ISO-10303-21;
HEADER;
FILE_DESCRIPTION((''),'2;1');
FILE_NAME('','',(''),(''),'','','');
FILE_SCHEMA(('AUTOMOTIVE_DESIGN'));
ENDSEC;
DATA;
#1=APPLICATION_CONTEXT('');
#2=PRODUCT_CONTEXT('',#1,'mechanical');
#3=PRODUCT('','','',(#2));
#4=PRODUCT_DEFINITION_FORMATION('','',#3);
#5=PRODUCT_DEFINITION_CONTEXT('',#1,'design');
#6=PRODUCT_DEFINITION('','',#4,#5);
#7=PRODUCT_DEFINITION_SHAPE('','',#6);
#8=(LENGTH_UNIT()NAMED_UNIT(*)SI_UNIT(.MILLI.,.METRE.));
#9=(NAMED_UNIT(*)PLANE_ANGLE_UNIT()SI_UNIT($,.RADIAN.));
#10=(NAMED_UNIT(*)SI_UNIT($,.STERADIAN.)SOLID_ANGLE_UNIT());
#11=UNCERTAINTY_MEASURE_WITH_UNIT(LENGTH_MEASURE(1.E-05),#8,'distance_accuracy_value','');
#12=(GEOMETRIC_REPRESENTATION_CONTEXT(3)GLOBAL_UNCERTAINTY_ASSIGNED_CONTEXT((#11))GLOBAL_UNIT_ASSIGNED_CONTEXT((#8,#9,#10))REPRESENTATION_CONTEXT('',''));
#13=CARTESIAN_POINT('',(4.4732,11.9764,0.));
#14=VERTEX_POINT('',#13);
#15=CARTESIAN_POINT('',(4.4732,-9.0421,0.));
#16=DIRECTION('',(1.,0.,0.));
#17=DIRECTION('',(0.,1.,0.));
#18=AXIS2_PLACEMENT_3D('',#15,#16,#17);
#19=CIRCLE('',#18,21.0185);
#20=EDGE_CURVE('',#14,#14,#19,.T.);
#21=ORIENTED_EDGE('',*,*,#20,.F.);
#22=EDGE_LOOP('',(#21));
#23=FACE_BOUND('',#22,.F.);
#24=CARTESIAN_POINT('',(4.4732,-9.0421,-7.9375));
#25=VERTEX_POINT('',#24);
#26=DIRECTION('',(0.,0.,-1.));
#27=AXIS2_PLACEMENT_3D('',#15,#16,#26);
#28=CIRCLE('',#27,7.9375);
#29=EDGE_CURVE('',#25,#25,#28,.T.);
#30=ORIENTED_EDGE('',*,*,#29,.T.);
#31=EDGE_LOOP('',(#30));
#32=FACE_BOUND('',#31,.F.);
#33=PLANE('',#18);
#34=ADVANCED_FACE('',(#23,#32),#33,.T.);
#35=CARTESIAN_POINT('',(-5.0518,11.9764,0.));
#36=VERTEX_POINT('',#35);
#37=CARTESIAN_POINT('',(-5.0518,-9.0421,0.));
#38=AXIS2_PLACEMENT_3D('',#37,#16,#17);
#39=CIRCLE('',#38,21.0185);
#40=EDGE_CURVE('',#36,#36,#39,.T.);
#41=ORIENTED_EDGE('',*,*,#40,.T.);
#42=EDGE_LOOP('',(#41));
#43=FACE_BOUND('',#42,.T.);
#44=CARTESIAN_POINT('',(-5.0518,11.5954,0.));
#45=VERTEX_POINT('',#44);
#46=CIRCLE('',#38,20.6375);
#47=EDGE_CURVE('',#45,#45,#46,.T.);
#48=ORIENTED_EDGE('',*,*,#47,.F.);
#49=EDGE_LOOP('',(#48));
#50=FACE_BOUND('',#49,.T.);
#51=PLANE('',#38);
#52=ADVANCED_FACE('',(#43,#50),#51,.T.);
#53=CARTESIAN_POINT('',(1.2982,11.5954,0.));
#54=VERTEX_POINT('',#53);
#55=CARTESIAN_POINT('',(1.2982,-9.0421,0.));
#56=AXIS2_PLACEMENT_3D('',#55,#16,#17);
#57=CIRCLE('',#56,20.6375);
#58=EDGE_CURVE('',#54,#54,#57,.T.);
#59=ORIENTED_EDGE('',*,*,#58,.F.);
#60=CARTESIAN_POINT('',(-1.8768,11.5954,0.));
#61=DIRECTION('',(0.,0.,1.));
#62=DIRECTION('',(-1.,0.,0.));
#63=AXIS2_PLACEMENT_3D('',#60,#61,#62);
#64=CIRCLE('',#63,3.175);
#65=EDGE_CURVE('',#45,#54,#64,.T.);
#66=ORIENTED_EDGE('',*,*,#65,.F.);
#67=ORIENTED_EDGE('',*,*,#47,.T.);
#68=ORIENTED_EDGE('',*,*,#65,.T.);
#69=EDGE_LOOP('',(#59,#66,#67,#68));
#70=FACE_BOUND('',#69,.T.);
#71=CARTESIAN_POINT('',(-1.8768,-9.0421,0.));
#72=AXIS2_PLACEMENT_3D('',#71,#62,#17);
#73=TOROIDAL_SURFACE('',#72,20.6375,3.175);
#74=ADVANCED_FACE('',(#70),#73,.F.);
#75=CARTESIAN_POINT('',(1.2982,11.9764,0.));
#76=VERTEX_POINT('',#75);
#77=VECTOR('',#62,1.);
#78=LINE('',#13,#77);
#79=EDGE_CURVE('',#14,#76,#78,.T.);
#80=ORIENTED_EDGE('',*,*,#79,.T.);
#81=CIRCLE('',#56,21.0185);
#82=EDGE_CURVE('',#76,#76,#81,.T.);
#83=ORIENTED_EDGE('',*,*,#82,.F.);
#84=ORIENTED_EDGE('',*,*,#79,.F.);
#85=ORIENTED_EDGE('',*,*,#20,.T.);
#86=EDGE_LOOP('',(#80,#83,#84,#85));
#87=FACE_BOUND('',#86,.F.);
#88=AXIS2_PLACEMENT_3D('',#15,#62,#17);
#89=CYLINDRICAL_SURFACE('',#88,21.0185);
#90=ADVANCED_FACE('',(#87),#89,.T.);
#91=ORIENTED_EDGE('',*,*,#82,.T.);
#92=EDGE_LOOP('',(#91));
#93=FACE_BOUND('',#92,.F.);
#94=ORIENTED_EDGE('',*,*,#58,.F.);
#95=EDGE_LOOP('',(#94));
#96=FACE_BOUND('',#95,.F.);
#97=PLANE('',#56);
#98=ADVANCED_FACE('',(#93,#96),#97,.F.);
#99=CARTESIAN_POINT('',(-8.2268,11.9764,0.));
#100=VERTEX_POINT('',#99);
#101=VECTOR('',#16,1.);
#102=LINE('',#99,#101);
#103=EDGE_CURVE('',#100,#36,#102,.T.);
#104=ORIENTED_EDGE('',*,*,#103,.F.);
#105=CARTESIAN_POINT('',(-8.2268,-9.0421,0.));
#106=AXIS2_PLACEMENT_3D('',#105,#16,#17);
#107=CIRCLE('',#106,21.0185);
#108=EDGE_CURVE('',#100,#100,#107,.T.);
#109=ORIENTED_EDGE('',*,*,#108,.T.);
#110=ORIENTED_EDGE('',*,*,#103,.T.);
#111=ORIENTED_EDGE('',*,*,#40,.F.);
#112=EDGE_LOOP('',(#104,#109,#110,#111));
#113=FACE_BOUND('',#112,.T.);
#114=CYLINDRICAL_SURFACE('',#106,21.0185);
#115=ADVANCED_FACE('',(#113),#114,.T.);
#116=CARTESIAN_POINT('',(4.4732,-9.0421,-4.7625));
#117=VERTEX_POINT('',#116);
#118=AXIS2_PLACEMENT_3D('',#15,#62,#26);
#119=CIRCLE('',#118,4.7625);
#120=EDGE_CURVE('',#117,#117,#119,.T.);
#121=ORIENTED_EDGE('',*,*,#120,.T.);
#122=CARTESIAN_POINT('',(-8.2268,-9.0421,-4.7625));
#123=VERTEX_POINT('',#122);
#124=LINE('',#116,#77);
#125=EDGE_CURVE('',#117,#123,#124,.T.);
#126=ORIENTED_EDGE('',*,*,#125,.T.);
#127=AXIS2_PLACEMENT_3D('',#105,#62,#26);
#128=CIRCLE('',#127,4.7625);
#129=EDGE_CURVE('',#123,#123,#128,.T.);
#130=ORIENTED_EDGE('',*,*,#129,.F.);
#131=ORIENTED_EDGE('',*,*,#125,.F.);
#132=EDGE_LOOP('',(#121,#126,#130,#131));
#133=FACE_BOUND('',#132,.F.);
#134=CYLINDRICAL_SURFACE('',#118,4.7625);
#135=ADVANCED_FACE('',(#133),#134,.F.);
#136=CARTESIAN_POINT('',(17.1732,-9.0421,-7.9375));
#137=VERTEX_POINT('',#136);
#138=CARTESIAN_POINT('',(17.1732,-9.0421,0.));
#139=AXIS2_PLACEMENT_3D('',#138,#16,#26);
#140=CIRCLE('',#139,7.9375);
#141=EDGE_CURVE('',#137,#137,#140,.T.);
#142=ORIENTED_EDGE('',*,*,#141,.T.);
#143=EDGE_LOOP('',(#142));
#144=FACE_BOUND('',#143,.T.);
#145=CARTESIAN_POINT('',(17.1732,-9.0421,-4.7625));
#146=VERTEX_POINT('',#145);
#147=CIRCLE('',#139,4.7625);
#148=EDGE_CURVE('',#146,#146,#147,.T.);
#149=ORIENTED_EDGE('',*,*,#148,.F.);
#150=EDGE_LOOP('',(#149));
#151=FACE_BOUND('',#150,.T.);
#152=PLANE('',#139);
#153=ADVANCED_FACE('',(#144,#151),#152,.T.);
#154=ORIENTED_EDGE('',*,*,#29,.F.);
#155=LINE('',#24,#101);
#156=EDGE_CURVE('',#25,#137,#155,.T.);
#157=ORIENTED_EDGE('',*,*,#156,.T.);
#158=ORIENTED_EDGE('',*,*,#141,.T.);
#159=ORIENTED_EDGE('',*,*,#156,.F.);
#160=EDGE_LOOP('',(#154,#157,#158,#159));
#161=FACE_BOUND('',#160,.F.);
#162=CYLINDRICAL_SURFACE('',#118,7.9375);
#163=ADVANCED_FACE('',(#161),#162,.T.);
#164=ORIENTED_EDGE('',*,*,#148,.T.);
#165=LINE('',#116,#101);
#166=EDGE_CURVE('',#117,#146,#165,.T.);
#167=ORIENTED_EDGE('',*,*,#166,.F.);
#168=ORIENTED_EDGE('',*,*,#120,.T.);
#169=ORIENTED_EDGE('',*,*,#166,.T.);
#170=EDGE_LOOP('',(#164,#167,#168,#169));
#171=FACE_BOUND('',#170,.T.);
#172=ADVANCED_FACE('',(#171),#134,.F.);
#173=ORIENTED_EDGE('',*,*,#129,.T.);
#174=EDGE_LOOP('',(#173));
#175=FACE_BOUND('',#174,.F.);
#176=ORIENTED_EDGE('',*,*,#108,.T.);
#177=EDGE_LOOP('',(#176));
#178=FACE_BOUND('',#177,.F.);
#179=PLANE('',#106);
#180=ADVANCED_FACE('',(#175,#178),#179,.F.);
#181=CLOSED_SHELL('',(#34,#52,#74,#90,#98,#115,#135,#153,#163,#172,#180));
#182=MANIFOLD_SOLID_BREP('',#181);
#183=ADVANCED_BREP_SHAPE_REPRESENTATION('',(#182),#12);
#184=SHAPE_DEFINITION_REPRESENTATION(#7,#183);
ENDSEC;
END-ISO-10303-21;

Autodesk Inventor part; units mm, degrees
ref_plane "YZ Plane" through (0, 0, 0) normal (1, 0, 0) x (0, 1, 0)
ref_plane "XZ Plane" through (0, 0, 0) normal (0, 1, 0) x (-1, 0, 0)
ref_plane "XY Plane" through (0, 0, 0) normal (0, 0, 1) x (1, 0, 0)
sketch "Sketch1" plane through (0, 0, 0) normal (0, 0, 1) x (1, 0, 0)
  line L0 (-8.2268, 11.9764) -> (-8.2268, -9.0421)
  line L1 (-8.2268, -9.0421) -> (4.4732, -9.0421)
  line L2 (4.4732, -9.0421) -> (4.4732, 11.9764)
  line L3 (4.4732, 11.9764) -> (1.2982, 11.9764)
  line L4 (-8.2268, 11.9764) -> (-5.0518, 11.9764)
  line L5 (-5.0518, 11.9764) -> (-5.0518, 11.5954)
  line L6 (1.2982, 11.9764) -> (1.2982, 11.5954)
  arc A0 (-5.0518, 11.5954) -> (1.2982, 11.5954) centre (-1.8768, 11.5954) ccw
  dimension "d0" = 3.175
  dimension "d1" = 12.7
  dimension "d2" = 0.381
  dimension "d5" = 20.6375
  dimension "d6" = 3.175
  dimension "d7" = 21.0185
revolve "Revolution1" add sketch "Sketch1" angle 360 about axis through (-8.2268, -9.0421, 0) along (1, 0, 0)
sketch "Sketch2" plane through (4.4732, -9.0421, 0) normal (1, 0, 0) x (0, 0, -1)
  circle A0 centre (0, 0) radius 21.0185 projected
hole "Hole1" at (4.4732, -9.0421, 0) direction (-1, 0, 0) diameter 9.525 end through all
sketch "Sketch3" plane through (4.4732, -9.0421, 0) normal (1, 0, 0) x (0, 0, -1)
  circle A0 centre (0, 0) radius 4.7625 projected
  circle A1 centre (0, 0) radius 21.0185 projected
  circle A2 centre (0, 0) radius 4.7625
  circle A3 centre (0, 0) radius 7.9375
  dimension "d15" = 3.175
extrude "Extrusion1" add sketch "Sketch3" along normal blind 12.7 contours A3
properties part number "pulley 1.5"
